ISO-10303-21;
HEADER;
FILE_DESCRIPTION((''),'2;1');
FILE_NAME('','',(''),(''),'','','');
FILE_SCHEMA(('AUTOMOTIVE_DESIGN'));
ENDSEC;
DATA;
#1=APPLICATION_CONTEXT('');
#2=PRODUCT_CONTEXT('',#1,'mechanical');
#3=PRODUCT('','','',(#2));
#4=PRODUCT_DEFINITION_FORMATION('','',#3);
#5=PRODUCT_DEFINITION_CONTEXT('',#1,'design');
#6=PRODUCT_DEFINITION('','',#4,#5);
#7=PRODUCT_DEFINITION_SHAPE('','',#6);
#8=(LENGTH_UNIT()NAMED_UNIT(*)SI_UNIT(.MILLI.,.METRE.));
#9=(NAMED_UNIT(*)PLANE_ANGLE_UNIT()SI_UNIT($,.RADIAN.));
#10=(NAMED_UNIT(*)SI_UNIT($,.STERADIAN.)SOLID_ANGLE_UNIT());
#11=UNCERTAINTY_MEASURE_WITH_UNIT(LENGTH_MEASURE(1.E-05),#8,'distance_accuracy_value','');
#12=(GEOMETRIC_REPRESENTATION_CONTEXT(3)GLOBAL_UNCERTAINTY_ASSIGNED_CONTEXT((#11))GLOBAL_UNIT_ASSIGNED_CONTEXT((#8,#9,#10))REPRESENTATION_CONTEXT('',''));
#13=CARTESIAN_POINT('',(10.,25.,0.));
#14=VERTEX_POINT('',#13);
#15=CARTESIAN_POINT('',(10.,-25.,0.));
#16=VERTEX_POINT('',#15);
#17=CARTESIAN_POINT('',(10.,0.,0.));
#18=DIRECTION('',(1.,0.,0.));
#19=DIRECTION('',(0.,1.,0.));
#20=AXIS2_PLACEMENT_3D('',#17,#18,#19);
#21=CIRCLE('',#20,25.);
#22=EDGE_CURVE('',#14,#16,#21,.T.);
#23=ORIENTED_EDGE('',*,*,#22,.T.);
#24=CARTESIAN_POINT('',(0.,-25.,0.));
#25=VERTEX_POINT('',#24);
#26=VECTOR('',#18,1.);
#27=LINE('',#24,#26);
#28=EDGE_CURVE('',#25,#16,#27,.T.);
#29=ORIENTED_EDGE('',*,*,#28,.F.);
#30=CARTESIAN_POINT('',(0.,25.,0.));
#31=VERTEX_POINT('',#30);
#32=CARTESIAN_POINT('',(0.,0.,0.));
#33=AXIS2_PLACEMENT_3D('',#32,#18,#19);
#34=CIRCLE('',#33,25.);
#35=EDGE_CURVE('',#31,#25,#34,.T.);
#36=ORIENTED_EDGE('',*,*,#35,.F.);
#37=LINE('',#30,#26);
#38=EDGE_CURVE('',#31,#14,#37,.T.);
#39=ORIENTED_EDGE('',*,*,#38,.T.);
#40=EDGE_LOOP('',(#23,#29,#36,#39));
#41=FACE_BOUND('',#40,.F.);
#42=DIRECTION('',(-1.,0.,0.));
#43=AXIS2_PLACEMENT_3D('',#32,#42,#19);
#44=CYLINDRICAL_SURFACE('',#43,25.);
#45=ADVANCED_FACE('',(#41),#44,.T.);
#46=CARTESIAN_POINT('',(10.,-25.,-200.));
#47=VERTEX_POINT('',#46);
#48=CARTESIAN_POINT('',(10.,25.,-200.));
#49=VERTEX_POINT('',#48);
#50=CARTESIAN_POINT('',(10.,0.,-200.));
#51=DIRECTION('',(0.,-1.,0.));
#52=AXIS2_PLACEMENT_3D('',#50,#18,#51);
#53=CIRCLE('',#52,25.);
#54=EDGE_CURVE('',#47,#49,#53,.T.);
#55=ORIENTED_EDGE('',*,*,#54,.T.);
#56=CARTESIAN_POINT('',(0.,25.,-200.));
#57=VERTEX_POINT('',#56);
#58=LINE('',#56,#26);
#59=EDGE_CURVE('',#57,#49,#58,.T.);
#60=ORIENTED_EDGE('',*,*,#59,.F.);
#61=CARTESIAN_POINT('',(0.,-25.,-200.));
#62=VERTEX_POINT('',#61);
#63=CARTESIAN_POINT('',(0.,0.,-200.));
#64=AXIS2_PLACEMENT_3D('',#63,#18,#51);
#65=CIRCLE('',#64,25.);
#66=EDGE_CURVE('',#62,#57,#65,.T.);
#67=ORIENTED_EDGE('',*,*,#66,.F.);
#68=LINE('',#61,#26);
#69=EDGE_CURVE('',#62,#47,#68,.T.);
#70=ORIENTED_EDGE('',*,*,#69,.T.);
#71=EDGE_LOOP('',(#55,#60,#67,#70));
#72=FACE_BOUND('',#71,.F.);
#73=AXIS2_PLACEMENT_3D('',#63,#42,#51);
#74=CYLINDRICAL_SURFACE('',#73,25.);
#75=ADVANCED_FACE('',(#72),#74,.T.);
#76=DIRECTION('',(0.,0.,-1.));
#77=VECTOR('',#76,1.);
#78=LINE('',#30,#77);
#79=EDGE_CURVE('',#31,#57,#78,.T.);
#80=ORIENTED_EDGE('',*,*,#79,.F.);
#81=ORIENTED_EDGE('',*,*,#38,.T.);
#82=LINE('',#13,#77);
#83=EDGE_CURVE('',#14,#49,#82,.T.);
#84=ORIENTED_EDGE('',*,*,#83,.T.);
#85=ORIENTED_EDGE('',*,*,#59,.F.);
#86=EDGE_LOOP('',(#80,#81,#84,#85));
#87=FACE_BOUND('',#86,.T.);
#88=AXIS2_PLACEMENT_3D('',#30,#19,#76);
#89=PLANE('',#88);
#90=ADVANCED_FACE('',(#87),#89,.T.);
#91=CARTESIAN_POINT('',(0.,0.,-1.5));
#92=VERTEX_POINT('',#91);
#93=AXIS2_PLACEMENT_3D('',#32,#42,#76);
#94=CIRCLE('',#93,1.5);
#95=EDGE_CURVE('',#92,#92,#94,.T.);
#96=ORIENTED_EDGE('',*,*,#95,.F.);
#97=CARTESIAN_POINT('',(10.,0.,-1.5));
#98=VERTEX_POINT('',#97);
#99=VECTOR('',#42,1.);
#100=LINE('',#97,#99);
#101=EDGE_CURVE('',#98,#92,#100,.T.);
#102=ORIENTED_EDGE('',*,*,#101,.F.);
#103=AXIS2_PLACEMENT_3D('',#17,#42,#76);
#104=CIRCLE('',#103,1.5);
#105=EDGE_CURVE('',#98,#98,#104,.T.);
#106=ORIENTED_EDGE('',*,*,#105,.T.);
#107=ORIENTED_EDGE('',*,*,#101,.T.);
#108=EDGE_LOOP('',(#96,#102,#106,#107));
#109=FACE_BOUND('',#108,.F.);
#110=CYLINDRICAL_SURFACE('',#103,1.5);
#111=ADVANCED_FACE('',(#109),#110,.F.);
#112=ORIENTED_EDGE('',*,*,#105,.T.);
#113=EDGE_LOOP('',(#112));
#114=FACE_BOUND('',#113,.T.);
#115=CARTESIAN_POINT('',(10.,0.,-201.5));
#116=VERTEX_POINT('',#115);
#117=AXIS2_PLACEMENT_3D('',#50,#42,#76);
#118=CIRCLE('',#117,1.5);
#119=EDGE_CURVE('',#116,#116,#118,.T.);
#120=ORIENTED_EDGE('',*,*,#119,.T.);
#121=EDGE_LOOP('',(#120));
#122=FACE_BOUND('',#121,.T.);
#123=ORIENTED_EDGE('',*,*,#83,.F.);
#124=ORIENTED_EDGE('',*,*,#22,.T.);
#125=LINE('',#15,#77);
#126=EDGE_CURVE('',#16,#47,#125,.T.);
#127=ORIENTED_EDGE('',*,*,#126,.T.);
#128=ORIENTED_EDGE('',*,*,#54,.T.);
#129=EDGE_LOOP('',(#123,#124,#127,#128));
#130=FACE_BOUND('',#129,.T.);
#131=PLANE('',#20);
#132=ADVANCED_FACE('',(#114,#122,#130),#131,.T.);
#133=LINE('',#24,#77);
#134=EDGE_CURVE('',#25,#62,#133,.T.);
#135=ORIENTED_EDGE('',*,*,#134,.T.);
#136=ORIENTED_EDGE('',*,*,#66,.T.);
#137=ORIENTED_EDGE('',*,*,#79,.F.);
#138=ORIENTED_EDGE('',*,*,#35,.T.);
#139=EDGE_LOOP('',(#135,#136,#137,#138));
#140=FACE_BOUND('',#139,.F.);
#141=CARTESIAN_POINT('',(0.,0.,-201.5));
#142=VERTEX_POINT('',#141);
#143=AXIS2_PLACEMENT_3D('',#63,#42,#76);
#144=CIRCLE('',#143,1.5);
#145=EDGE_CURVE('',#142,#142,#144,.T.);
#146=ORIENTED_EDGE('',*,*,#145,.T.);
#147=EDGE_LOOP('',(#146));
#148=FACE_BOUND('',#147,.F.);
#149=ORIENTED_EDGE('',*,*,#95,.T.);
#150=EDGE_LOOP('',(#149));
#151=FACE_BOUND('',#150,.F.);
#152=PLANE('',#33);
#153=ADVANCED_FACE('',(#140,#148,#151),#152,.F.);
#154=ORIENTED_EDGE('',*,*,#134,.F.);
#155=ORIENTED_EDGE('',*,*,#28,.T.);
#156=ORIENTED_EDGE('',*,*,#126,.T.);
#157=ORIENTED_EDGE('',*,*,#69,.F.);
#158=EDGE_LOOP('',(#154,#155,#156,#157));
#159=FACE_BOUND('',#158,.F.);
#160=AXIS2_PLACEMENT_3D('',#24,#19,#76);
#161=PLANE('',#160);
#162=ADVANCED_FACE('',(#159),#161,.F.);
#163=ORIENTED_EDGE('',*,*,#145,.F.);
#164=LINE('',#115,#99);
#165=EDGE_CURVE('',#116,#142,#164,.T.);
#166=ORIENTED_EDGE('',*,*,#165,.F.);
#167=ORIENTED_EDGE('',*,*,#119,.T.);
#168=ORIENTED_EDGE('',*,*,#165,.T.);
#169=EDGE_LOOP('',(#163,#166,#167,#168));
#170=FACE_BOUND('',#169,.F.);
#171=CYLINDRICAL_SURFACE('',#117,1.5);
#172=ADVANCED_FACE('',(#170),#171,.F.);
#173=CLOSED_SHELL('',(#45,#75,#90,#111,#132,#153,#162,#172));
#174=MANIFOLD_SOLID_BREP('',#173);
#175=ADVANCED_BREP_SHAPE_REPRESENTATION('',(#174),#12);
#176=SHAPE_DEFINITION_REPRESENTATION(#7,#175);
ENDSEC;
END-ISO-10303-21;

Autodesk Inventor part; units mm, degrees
ref_plane "YZ Plane" through (0, 0, 0) normal (1, 0, 0) x (0, 1, 0)
ref_plane "XZ Plane" through (0, 0, 0) normal (0, 1, 0) x (-1, 0, 0)
ref_plane "XY Plane" through (0, 0, 0) normal (0, 0, 1) x (1, 0, 0)
sketch "Sketch1" plane through (0, 0, 0) normal (1, 0, 0) x (0, 1, 0)
  arc A0 (25, 0) -> (-25, 0) centre (0, 0) ccw
  line L0 (-25, 0) -> (-25, -200)
  line L1 (25, 0) -> (25, -200)
  arc A1 (-25, -200) -> (25, -200) centre (0, -200) ccw
  dimension "d0" = 50
  dimension "d2" = 200
extrude "Extrusion1" add sketch "Sketch1" along normal blind 10
sketch "Sketch2" plane through (10, 0, 0) normal (1, 0, 0) x (0, 0, -1)
  arc A0 (200, -25) -> (200, 25) centre (200, 0) ccw projected
  point P0 (0, 0)
  point P1 (0, 0)
  point P2 (200, 0)
hole "Hole1" at (10, 0, 0) at (10, 0, -200) direction (-1, 0, 0) diameter 3 end through all
properties part number "first_arm"
